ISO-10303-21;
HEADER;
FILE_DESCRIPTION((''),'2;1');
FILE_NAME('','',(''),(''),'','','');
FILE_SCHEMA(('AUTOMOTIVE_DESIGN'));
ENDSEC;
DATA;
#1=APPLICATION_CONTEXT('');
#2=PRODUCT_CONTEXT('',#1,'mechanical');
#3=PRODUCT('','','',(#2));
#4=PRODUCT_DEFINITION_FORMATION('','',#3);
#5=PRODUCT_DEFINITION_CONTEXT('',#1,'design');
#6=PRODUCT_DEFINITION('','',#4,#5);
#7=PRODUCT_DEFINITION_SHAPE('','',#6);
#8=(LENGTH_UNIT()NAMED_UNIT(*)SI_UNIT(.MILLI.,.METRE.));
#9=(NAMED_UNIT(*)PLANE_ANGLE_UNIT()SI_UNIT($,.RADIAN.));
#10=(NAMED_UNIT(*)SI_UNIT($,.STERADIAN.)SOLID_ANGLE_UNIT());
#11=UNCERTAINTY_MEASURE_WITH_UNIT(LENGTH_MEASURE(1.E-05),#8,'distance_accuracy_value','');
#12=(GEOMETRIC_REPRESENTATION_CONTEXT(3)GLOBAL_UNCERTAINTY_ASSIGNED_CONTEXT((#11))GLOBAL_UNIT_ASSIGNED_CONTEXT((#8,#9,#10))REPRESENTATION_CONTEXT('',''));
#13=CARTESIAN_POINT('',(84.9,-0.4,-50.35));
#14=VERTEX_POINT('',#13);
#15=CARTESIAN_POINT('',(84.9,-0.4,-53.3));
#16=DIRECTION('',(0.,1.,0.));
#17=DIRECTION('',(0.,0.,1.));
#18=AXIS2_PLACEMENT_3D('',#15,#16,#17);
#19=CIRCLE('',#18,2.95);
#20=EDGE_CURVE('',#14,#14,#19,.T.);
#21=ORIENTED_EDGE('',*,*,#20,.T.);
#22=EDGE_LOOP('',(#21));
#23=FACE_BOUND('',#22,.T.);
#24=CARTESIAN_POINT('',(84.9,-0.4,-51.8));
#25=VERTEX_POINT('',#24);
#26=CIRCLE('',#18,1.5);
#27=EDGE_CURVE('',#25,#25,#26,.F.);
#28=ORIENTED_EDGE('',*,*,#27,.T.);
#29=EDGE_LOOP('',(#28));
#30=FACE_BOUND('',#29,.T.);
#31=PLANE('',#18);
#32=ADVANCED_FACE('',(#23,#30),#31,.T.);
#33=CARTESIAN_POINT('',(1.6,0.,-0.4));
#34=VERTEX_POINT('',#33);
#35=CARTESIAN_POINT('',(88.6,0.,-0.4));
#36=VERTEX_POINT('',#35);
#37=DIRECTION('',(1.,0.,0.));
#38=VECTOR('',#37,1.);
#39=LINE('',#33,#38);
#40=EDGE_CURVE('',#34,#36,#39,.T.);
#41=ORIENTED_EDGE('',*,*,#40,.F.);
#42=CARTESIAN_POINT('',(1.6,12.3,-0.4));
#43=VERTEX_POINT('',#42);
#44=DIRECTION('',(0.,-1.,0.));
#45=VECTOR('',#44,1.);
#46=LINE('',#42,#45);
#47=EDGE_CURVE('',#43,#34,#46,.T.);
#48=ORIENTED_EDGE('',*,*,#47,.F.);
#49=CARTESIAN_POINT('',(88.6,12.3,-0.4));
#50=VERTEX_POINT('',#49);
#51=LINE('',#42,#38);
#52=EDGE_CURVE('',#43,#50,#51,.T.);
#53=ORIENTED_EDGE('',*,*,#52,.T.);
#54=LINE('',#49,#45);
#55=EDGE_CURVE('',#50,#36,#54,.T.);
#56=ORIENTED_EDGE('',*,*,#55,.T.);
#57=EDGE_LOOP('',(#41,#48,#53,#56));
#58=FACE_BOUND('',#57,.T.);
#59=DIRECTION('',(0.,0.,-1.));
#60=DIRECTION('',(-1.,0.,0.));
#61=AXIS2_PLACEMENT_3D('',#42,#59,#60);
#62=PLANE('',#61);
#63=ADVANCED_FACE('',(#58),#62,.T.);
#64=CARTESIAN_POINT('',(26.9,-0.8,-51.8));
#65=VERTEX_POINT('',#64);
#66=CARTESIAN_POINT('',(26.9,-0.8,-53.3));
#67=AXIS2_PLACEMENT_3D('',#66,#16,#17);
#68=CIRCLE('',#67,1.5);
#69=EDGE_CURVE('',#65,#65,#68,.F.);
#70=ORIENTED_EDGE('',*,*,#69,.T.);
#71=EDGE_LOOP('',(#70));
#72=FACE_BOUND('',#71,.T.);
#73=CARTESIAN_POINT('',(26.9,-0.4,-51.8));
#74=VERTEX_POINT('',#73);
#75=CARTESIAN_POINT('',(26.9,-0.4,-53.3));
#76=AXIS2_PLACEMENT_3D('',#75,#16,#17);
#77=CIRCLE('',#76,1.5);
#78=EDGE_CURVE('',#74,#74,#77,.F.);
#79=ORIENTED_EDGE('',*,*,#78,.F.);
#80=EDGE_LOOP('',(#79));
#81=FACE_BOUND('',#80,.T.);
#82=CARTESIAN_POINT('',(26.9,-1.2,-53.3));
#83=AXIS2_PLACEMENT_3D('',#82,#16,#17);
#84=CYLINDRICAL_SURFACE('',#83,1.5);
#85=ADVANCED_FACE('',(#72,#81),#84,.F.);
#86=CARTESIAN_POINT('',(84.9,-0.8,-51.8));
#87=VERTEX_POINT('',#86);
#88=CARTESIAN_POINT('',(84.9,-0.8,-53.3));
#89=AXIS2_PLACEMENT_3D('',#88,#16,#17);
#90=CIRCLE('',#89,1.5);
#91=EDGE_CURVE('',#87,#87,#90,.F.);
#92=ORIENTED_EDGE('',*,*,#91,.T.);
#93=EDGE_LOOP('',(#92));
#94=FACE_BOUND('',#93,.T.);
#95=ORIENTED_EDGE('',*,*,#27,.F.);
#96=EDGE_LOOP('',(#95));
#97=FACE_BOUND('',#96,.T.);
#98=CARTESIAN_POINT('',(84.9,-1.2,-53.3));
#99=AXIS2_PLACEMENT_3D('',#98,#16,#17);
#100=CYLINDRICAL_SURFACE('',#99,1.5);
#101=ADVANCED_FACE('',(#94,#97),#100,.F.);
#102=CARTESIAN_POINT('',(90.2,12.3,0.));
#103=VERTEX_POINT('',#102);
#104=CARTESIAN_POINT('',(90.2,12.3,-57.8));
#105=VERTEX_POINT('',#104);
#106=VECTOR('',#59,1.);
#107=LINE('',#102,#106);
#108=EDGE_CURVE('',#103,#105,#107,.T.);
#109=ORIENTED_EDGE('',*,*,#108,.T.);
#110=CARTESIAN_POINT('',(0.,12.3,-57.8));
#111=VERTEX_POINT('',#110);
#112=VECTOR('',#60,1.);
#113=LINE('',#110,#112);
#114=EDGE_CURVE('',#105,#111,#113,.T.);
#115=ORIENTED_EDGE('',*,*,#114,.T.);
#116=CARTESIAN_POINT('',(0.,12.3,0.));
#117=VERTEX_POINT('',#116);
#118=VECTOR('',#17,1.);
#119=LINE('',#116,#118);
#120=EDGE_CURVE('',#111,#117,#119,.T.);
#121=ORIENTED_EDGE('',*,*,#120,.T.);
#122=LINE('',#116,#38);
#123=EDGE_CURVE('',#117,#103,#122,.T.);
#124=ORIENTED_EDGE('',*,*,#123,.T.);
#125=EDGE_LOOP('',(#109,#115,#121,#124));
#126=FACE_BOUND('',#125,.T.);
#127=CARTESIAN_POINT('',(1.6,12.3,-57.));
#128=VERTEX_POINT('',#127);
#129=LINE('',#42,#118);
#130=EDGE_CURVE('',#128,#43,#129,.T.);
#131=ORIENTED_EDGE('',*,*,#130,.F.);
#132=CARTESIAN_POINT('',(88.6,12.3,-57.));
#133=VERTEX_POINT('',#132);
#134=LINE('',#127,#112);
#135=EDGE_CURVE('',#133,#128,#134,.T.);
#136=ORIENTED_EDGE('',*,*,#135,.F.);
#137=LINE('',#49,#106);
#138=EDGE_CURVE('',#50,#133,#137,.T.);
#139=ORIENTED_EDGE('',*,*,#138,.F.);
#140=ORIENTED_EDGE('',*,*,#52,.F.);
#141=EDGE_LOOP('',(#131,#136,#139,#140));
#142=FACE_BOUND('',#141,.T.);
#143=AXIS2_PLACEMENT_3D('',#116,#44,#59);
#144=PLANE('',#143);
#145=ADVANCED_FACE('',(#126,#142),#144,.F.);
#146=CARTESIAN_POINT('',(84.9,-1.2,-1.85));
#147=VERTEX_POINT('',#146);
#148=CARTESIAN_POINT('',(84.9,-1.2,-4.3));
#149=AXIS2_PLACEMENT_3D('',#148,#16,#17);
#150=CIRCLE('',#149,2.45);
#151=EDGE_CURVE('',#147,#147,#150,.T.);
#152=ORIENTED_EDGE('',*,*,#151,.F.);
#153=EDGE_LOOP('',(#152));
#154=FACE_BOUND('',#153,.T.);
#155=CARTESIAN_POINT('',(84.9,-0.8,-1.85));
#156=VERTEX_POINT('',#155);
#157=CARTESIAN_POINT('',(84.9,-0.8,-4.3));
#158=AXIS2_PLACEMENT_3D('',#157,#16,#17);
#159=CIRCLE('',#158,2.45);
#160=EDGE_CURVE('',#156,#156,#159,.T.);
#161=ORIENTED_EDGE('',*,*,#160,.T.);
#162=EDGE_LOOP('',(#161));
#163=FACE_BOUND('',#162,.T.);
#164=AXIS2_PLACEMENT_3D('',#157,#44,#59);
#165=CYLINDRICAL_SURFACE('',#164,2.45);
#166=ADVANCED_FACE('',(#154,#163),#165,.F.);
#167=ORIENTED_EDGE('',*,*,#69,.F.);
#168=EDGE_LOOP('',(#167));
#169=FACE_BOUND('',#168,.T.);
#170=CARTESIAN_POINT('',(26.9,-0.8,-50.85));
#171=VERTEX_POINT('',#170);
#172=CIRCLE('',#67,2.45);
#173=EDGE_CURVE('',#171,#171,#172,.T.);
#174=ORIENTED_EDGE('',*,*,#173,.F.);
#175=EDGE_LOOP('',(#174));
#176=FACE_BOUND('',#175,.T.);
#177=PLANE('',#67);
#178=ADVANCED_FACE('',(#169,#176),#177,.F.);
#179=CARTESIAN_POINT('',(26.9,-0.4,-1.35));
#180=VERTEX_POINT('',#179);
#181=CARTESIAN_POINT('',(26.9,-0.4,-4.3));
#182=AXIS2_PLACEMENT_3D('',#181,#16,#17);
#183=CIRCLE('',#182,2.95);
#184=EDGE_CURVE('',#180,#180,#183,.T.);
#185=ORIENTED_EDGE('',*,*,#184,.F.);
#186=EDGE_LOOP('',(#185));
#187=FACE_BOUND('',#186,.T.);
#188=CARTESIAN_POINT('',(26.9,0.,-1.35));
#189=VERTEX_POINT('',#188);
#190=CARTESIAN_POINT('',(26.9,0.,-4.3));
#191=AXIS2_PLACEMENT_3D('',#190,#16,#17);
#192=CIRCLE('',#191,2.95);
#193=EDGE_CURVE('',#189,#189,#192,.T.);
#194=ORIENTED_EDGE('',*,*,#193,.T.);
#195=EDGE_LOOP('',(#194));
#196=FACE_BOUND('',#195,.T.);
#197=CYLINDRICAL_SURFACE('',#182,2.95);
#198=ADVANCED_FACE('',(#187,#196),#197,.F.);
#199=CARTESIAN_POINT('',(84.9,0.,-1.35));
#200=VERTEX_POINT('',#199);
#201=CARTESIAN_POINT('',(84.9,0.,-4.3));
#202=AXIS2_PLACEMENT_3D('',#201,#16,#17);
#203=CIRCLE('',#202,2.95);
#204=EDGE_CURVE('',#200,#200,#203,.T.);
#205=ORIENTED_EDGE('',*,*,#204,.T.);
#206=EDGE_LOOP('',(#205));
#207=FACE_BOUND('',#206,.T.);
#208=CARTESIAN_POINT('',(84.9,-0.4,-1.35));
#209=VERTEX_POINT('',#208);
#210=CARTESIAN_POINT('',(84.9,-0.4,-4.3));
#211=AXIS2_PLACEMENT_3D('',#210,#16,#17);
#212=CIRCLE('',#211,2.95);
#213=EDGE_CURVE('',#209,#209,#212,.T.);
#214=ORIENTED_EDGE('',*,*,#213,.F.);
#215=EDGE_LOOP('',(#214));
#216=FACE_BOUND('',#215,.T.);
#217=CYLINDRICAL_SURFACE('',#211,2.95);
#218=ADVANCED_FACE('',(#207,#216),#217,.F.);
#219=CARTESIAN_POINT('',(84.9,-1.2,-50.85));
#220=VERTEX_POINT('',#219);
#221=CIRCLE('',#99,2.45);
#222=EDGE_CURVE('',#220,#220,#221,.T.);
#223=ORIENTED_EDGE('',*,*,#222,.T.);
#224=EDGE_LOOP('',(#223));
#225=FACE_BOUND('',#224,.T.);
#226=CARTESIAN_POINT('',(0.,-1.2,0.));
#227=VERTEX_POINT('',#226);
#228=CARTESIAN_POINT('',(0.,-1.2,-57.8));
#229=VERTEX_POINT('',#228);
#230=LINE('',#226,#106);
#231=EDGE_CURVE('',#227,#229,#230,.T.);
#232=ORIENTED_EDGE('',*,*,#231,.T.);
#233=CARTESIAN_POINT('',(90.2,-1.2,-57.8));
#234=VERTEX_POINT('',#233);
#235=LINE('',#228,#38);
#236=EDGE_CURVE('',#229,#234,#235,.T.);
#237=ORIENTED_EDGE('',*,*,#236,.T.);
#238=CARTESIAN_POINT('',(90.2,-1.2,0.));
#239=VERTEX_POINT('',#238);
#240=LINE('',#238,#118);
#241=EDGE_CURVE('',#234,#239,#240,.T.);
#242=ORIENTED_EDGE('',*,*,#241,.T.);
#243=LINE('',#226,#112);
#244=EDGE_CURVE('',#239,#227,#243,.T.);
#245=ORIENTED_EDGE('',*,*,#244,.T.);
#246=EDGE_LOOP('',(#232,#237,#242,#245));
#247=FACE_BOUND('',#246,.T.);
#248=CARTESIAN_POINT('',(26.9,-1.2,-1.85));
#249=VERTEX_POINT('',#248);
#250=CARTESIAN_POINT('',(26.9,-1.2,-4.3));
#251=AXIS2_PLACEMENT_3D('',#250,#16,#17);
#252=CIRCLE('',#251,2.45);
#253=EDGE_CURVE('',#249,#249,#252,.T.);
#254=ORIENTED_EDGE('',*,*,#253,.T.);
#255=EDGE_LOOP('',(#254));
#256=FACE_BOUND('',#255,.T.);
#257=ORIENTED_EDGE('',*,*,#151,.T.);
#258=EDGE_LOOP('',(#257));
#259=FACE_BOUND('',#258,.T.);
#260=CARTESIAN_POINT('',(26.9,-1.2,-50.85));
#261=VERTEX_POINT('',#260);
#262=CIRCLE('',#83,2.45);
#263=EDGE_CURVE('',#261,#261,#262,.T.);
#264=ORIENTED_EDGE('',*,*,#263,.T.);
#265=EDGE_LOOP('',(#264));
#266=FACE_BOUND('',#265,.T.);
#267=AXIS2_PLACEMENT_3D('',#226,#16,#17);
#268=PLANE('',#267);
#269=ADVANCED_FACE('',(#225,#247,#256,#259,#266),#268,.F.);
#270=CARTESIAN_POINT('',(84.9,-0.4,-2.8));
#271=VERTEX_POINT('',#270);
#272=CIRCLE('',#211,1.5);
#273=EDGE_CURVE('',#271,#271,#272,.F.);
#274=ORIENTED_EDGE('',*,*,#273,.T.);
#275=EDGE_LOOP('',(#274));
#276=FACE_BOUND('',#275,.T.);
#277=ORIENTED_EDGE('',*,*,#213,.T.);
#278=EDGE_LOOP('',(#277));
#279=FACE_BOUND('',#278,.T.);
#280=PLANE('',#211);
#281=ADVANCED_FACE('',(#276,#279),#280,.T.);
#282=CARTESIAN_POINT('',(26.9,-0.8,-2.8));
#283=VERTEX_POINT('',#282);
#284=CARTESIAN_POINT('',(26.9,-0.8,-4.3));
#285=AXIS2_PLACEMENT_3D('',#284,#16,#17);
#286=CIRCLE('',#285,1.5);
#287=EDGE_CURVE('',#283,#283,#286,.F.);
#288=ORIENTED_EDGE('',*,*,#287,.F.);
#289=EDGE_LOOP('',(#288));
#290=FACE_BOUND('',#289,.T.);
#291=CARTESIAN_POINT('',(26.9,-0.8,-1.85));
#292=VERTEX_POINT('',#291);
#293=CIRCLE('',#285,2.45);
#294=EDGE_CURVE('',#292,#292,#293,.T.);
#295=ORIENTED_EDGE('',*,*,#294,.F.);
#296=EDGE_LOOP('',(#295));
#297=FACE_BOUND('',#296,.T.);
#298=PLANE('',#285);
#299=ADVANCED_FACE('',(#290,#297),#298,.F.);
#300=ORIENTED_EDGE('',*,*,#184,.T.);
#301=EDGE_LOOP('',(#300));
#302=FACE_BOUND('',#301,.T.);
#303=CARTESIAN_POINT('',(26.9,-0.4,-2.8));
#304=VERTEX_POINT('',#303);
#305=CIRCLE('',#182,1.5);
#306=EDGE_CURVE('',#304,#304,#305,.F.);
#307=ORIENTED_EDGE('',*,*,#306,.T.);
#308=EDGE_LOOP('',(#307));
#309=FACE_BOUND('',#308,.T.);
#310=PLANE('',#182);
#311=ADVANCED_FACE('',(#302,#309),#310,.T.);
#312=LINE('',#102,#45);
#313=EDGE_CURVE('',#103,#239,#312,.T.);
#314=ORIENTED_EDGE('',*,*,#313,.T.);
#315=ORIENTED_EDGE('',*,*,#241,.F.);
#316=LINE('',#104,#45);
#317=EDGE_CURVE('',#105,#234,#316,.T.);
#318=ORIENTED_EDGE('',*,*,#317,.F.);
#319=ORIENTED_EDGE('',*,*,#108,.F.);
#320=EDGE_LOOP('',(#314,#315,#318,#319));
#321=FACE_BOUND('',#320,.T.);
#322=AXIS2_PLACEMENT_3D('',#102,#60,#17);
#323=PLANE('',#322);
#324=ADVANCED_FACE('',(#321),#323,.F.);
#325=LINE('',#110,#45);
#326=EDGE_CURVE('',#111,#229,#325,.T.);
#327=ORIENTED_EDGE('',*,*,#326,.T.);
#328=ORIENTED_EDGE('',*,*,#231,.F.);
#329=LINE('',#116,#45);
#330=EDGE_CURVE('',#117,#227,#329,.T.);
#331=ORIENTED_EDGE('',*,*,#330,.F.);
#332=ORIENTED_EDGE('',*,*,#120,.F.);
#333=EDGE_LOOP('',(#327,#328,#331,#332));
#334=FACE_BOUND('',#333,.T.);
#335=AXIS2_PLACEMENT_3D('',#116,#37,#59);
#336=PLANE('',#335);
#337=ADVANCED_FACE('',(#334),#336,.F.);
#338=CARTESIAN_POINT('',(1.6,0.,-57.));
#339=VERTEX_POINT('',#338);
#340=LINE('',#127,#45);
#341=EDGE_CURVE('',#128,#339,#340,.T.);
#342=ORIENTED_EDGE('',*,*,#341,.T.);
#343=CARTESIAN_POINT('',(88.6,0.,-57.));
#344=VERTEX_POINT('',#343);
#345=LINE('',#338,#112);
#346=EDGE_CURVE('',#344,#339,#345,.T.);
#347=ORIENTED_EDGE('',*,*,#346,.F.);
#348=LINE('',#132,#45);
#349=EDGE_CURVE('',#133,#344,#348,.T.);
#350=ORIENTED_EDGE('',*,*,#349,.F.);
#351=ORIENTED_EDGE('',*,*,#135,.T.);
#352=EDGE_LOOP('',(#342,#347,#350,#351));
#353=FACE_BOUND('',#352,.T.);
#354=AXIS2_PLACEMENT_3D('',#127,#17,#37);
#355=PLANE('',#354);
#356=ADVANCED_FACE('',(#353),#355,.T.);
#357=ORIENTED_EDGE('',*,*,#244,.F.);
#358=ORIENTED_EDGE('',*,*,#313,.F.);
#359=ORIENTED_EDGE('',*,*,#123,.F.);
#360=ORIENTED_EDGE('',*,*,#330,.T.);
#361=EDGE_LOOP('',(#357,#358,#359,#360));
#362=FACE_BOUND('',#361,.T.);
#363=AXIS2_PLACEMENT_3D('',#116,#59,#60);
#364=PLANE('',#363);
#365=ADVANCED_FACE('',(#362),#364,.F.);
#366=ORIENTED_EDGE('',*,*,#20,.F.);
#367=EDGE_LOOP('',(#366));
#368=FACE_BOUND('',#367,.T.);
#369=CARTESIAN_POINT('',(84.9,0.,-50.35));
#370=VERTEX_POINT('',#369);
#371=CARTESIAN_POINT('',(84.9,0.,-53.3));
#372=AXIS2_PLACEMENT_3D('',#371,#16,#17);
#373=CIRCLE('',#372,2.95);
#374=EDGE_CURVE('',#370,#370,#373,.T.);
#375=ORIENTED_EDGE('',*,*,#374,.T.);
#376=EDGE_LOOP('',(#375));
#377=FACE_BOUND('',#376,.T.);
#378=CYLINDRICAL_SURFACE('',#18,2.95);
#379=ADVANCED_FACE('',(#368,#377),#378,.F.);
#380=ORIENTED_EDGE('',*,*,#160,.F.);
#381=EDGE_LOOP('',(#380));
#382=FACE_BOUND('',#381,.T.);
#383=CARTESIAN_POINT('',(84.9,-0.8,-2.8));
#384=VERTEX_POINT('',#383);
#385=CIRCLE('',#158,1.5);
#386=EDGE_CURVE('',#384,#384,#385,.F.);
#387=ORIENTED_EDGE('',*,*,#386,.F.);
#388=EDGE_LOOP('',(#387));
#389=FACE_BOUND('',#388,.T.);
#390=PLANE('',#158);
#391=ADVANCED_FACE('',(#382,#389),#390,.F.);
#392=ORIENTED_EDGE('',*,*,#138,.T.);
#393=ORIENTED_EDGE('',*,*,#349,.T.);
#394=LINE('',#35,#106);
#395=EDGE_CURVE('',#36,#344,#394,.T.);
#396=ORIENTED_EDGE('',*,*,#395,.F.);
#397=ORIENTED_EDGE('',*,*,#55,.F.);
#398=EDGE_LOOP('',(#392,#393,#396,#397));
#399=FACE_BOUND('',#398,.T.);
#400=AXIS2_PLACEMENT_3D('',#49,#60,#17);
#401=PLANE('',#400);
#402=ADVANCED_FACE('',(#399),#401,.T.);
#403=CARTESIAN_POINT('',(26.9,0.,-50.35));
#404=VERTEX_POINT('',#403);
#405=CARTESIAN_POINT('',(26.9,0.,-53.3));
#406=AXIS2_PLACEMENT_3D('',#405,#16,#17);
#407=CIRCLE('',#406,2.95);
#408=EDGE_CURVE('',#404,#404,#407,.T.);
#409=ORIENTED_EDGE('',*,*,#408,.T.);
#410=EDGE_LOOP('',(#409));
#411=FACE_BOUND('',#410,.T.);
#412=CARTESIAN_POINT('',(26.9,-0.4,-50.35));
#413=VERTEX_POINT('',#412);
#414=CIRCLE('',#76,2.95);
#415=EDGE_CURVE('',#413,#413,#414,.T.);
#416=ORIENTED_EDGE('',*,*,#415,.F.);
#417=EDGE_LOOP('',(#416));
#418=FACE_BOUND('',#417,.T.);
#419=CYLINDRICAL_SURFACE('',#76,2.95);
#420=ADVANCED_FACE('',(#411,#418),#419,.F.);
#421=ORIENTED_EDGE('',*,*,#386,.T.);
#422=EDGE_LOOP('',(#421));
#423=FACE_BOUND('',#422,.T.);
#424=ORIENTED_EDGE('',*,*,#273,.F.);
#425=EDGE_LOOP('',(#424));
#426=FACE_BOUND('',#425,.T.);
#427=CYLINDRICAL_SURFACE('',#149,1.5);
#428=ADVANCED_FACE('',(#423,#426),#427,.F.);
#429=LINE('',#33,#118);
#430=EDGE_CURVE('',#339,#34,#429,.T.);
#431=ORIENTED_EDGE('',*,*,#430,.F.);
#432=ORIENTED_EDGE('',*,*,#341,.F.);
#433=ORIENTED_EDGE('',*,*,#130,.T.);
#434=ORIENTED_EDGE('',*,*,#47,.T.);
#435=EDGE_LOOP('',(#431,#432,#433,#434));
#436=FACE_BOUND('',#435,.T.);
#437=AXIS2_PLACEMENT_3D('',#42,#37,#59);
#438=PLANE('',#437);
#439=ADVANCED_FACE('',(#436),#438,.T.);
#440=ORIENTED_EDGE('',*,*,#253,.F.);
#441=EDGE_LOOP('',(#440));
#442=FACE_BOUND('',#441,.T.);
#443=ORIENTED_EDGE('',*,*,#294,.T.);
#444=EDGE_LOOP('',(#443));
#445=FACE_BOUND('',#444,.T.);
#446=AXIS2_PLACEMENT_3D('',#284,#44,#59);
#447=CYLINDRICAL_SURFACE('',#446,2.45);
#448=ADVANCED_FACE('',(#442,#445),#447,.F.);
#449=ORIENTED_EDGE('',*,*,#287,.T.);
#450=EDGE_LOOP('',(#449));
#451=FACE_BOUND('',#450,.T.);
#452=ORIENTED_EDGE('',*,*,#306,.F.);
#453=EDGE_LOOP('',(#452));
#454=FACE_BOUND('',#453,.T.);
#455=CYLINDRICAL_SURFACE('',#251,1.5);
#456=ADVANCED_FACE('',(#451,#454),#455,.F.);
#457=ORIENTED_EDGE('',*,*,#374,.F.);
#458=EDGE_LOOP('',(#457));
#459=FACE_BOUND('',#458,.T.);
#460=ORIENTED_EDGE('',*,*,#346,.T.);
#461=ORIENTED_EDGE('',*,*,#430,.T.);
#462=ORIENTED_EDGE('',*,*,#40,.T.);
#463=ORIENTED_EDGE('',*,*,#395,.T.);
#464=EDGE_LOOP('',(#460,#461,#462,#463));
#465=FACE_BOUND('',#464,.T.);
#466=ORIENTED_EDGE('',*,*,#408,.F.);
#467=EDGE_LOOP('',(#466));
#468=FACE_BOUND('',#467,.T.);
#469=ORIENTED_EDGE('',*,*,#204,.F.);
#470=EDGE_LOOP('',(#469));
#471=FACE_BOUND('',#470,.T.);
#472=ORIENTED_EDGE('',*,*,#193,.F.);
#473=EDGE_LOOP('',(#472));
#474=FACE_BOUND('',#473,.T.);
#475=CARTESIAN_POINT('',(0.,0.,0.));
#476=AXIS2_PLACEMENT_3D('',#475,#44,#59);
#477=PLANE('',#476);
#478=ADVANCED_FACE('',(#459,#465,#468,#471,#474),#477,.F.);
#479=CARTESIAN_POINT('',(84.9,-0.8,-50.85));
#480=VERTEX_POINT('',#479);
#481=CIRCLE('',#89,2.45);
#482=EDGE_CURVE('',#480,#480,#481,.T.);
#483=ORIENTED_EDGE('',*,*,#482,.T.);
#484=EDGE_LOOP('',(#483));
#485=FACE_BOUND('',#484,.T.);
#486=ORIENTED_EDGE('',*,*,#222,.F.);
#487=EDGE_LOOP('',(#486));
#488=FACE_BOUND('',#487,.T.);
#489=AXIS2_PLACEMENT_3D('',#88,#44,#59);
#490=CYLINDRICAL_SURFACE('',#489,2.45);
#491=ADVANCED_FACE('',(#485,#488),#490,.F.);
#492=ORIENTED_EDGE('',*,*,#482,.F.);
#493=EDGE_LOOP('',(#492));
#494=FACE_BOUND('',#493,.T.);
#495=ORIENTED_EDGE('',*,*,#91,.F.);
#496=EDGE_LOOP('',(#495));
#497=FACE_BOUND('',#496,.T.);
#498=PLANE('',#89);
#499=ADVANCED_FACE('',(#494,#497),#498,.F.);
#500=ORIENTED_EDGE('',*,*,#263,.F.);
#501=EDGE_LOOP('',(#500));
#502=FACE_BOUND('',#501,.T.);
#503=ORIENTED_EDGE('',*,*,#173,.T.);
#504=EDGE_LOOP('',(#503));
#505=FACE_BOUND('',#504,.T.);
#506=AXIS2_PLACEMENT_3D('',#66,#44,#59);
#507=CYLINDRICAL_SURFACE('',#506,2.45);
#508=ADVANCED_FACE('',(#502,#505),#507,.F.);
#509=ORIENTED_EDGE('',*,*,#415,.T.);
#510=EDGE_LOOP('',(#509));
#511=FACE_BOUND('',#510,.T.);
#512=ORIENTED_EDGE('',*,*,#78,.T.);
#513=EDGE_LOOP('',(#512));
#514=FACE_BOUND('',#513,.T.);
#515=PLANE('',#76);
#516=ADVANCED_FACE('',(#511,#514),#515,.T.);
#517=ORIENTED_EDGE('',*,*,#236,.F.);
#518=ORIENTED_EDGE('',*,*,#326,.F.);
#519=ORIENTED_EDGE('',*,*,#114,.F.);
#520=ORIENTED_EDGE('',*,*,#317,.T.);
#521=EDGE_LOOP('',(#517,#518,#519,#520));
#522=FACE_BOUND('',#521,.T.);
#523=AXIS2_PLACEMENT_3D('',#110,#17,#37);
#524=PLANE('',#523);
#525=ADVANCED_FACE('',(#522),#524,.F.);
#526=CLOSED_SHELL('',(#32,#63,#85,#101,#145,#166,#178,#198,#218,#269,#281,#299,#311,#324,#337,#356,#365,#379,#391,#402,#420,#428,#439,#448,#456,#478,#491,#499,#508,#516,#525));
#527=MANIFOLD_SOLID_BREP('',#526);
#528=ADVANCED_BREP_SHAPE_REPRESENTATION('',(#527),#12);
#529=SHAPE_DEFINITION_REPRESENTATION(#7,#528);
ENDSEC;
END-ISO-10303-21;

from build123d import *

# Parameters (mm, degrees)
SKIZZE1_W                       = 90.2
SKIZZE1_H                       = 57.8
SKIZZE1_W_2                     = 87
SKIZZE1_H_2                     = 56.6
AUFSATZ_LINEAR_AUSTRAGEN1_DEPTH = 12.3
SKIZZE2_W                       = 90.2
SKIZZE2_H                       = 57.8
AUFSATZ_LINEAR_AUSTRAGEN2_DEPTH = 1.2
SKIZZE3_R                       = 1.5
SCHNITT_LINEAR_AUSTRAGEN1_DEPTH = 1.2
SKIZZE4_R                       = 2.45
SCHNITT_LINEAR_AUSTRAGEN2_DEPTH = 0.4
SKIZZE5_R                       = 2.95
SCHNITT_LINEAR_AUSTRAGEN3_DEPTH = 0.4


with BuildPart() as part:
    # Skizze1 → Aufsatz-Linear austragen1 (new body)
    with BuildSketch(Plane(origin=(0, 0, 0), x_dir=(1, 0, 0), z_dir=(0, 1, 0))):
        with Locations((45.1, 28.9)):
            Rectangle(SKIZZE1_W, SKIZZE1_H)
        with Locations((45.1, 28.7)):
            Rectangle(SKIZZE1_W_2, SKIZZE1_H_2, mode=Mode.SUBTRACT)
    extrude(amount=AUFSATZ_LINEAR_AUSTRAGEN1_DEPTH)

    # Skizze2 → Aufsatz-Linear austragen2 (add)
    with BuildSketch(Plane(origin=(0, 0, 0), x_dir=(1, 0, 0), z_dir=(0, 1, 0))):
        with Locations((45.1, 28.9)):
            Rectangle(SKIZZE2_W, SKIZZE2_H)
    extrude(amount=-AUFSATZ_LINEAR_AUSTRAGEN2_DEPTH)

    # Skizze3 → Schnitt-Linear austragen1 (cut)
    with BuildSketch(Plane(origin=(0, 0, 0), x_dir=(1, 0, 0), z_dir=(0, 1, 0))):
        with Locations(Location((84.9, 53.3, 0), (0, 0, 270))):
            Circle(SKIZZE3_R)
        with Locations(Location((26.9, 53.3, 0), (0, 0, 270))):
            Circle(SKIZZE3_R)
        with Locations(Location((84.9, 4.3, 0), (0, 0, 270))):
            Circle(SKIZZE3_R)
        with Locations(Location((26.9, 4.3, 0), (0, 0, 270))):
            Circle(SKIZZE3_R)
    extrude(amount=-SCHNITT_LINEAR_AUSTRAGEN1_DEPTH, mode=Mode.SUBTRACT)

    # Skizze4 → Schnitt-Linear austragen2 (cut)
    with BuildSketch(Plane(origin=(0, -1.2, 0), x_dir=(1, 0, 0), z_dir=(0, 1, 0))):
        with Locations(Location((84.9, 53.3, 0), (0, 0, 270))):
            Circle(SKIZZE4_R)
        with Locations(Location((26.9, 53.3, 0), (0, 0, 270))):
            Circle(SKIZZE4_R)
        with Locations(Location((84.9, 4.3, 0), (0, 0, 270))):
            Circle(SKIZZE4_R)
        with Locations(Location((26.9, 4.3, 0), (0, 0, 270))):
            Circle(SKIZZE4_R)
    extrude(amount=SCHNITT_LINEAR_AUSTRAGEN2_DEPTH, mode=Mode.SUBTRACT)

    # Skizze5 → Schnitt-Linear austragen3 (cut)
    with BuildSketch(Plane(origin=(0, 0, 0), x_dir=(1, 0, 0), z_dir=(0, 1, 0))):
        with Locations(Location((84.9, 53.3, 0), (0, 0, 270))):
            Circle(SKIZZE5_R)
        with Locations(Location((26.9, 53.3, 0), (0, 0, 270))):
            Circle(SKIZZE5_R)
        with Locations(Location((84.9, 4.3, 0), (0, 0, 270))):
            Circle(SKIZZE5_R)
        with Locations(Location((26.9, 4.3, 0), (0, 0, 270))):
            Circle(SKIZZE5_R)
    extrude(amount=-SCHNITT_LINEAR_AUSTRAGEN3_DEPTH, mode=Mode.SUBTRACT)


solid = part.part
